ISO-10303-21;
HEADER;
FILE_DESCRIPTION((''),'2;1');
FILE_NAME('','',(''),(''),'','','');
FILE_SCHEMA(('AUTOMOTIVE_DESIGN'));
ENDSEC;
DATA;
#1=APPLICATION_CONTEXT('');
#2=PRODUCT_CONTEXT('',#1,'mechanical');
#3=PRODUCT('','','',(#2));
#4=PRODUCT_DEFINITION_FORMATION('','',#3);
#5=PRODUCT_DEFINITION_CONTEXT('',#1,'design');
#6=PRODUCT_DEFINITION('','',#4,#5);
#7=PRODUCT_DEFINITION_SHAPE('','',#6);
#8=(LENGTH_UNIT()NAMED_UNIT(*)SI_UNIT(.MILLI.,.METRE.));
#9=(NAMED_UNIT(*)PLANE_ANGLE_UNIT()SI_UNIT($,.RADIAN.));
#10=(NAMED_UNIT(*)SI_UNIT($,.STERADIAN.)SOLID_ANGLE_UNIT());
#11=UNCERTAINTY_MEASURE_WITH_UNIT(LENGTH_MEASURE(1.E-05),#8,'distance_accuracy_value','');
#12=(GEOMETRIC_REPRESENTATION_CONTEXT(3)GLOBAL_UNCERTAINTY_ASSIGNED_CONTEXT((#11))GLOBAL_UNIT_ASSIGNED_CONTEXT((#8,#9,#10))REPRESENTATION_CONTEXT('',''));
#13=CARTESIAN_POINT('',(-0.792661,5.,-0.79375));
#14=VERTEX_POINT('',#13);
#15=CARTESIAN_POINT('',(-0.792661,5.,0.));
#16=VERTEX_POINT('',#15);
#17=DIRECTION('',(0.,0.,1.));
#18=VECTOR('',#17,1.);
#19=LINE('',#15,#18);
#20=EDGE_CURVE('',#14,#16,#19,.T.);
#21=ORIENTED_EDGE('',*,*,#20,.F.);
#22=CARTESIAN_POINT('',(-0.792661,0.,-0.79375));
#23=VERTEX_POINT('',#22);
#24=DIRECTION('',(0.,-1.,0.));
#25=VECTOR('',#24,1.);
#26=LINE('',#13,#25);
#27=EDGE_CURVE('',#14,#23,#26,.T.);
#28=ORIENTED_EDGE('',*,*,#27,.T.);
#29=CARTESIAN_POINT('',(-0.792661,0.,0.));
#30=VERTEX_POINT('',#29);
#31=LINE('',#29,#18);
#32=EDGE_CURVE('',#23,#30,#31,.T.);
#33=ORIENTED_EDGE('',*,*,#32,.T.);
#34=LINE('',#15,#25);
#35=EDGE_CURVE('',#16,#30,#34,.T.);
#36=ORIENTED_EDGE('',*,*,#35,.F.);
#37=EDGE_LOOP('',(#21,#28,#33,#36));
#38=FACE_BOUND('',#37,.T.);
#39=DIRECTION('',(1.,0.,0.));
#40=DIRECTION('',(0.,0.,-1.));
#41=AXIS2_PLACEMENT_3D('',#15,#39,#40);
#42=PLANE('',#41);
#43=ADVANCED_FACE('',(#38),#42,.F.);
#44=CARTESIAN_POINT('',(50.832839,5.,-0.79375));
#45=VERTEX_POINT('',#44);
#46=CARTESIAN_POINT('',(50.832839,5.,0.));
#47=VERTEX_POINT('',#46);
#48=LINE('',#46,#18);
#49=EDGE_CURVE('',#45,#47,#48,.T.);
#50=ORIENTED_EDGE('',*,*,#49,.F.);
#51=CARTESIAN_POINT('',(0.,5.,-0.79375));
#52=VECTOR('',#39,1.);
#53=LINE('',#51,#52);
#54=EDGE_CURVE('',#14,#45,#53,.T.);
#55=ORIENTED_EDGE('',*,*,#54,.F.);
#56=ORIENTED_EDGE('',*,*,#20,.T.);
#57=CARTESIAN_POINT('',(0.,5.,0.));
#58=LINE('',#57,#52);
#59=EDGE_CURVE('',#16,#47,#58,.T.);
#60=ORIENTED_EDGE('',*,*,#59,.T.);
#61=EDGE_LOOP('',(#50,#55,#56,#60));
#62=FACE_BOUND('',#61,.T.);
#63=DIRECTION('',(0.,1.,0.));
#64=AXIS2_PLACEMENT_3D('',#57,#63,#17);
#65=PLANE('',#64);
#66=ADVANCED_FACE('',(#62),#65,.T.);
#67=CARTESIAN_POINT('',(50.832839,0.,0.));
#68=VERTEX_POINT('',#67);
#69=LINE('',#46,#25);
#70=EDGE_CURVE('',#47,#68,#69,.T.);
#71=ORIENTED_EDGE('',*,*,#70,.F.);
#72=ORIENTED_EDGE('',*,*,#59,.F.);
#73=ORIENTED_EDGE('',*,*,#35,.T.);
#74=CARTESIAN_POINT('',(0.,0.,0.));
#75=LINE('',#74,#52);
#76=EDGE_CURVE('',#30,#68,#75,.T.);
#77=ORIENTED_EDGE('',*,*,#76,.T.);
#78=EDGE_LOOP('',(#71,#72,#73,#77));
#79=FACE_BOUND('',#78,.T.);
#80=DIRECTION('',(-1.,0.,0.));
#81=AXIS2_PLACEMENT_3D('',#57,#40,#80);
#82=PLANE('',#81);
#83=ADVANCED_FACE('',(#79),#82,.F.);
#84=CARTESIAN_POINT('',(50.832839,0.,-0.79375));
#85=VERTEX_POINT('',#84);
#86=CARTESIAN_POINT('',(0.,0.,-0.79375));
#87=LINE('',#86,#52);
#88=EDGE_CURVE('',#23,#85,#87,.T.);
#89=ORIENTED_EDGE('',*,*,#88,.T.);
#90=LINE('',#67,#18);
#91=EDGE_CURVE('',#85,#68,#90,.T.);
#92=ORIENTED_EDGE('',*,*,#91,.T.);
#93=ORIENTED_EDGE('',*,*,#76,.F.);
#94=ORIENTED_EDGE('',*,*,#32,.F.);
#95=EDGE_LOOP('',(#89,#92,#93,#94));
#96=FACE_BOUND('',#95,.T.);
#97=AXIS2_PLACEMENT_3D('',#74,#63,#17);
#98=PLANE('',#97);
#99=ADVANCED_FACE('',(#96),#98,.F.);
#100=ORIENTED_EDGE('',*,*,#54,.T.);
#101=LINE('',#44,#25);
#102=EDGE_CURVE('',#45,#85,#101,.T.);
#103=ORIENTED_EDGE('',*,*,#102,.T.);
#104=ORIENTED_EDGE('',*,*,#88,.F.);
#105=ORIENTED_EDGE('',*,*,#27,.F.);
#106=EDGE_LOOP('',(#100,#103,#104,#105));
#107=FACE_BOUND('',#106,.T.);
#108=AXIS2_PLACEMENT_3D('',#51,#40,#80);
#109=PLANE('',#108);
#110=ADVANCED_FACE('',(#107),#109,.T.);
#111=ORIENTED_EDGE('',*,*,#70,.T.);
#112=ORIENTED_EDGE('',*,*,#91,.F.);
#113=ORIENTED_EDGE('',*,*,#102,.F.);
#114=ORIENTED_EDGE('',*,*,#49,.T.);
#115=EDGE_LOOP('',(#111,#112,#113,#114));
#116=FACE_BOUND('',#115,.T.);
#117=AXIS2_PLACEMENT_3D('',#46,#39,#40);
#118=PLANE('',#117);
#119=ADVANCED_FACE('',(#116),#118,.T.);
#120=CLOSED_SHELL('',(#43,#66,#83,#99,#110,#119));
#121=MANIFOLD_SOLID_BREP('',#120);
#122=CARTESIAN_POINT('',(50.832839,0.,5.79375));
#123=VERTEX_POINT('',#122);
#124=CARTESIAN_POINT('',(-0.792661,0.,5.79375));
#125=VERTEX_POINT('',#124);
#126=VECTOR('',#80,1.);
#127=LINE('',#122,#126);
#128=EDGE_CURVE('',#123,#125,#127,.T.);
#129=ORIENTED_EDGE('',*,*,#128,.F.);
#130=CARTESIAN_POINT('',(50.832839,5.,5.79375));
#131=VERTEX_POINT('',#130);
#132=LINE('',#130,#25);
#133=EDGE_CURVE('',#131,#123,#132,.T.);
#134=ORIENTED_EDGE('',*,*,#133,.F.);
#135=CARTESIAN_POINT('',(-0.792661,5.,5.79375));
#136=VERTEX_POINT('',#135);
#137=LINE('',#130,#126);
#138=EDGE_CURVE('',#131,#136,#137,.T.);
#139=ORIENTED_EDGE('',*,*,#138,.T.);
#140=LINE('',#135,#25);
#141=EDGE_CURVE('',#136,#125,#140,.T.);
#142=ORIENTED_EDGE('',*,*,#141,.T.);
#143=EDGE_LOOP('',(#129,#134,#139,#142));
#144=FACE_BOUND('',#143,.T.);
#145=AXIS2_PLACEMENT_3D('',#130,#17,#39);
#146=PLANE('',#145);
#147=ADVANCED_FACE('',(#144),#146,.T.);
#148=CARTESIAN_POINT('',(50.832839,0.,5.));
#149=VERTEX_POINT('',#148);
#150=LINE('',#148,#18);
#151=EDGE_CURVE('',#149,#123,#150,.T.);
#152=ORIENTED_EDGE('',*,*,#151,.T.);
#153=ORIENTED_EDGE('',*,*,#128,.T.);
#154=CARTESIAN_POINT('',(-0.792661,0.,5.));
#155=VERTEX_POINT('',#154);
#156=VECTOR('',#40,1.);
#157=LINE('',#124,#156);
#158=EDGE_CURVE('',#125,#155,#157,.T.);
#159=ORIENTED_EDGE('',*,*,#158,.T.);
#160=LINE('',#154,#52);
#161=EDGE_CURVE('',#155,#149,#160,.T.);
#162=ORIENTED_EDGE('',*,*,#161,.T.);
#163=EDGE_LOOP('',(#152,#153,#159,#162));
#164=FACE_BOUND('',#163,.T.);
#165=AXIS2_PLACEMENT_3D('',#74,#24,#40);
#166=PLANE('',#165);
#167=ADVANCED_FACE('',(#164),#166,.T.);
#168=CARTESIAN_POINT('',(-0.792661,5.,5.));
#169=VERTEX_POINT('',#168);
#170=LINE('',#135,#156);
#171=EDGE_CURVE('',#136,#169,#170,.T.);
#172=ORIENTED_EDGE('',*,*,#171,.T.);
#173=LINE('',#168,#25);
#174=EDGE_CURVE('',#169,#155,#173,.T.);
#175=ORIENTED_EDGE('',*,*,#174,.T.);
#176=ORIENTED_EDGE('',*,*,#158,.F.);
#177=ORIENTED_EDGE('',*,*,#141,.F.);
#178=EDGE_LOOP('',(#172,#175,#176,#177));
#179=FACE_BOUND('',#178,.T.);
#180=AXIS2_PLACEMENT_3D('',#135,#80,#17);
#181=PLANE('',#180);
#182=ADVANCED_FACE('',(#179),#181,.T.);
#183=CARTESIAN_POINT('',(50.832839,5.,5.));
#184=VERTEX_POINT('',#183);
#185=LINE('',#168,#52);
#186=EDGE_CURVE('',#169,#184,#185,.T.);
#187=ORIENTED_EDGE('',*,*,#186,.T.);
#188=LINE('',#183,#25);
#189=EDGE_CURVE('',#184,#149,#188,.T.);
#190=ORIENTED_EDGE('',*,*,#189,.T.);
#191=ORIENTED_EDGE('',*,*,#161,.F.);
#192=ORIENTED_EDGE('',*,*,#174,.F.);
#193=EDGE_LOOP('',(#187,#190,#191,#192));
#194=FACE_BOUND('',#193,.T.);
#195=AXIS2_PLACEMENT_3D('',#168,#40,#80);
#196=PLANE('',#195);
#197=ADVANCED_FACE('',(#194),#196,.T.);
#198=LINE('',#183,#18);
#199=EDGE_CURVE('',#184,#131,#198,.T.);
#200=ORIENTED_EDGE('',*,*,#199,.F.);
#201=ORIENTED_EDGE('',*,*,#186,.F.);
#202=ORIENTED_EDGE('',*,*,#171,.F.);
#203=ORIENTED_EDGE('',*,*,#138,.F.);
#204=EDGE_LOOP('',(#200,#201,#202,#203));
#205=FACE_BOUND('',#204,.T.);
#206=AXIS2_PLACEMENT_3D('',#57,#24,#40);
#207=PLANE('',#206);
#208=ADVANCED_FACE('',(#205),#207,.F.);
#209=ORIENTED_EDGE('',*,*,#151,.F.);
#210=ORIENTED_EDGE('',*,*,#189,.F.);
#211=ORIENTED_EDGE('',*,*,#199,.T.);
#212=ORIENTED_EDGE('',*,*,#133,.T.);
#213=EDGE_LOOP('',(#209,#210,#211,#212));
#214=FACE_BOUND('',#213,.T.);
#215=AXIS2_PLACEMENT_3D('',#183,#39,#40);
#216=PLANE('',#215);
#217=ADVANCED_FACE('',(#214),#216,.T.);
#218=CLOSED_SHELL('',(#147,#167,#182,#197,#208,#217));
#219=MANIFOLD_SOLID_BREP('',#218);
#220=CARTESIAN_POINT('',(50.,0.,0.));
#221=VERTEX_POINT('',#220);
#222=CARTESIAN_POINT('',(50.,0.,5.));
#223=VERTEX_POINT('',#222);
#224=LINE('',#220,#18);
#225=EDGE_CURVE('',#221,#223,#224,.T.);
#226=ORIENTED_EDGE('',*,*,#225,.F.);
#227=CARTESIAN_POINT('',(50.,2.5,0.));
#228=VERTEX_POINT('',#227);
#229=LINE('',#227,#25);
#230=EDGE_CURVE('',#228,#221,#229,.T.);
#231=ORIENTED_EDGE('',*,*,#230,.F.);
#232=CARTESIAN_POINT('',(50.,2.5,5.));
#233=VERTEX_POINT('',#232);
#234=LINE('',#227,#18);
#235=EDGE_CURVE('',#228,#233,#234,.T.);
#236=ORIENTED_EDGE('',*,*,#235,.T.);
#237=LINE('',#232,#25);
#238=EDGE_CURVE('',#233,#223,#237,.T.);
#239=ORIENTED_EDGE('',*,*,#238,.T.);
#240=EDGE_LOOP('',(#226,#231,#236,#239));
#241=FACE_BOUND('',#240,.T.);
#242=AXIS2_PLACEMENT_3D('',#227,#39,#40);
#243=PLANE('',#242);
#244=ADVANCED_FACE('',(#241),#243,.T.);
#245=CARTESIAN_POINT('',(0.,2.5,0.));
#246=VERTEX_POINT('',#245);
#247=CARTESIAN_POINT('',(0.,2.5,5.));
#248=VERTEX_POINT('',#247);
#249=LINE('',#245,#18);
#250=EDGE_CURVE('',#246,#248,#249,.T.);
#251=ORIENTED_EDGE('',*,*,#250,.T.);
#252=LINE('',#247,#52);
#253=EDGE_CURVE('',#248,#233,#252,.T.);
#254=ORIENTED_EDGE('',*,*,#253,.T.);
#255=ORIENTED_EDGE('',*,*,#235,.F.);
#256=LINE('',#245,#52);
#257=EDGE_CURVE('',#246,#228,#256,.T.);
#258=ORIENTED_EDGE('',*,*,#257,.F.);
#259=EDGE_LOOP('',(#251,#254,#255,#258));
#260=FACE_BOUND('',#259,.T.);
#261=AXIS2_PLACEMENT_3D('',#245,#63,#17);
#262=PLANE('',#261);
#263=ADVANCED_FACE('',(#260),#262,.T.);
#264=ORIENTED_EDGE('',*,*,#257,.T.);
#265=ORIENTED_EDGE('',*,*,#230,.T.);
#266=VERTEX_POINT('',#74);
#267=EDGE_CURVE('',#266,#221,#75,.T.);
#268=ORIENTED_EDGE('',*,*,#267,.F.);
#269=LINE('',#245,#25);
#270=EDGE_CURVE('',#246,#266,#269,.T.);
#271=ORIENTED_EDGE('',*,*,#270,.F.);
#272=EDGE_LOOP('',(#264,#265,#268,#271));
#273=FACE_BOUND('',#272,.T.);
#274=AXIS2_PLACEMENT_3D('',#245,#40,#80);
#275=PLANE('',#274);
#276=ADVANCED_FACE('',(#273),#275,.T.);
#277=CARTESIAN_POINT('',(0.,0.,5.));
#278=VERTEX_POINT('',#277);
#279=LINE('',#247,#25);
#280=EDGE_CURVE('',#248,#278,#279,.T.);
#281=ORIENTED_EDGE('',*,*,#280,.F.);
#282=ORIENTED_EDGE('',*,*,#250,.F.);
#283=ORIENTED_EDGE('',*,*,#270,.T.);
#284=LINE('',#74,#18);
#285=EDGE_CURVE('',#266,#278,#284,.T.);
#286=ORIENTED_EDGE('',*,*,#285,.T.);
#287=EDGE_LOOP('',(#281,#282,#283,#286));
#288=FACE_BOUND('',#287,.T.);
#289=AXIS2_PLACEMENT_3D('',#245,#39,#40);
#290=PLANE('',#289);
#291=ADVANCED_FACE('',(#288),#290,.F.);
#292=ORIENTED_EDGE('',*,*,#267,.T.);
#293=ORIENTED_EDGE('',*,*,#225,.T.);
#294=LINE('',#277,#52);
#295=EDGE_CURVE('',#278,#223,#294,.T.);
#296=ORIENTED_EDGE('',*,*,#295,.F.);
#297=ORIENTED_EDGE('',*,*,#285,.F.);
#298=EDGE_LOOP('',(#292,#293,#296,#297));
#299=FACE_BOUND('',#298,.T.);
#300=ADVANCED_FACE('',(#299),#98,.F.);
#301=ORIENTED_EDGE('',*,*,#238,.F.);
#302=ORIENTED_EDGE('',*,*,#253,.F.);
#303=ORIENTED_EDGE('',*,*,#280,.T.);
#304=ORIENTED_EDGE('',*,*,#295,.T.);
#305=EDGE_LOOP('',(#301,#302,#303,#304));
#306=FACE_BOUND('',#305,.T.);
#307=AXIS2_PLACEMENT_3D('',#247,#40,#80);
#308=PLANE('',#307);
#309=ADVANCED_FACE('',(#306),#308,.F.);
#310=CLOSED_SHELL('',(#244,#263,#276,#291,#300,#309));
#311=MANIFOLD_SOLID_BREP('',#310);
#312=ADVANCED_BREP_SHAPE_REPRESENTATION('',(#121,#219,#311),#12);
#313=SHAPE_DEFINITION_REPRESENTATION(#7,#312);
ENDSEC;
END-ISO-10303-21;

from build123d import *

# Parameters (mm, degrees)
SKETCH1_W             = 50
SKETCH1_H             = 4.999999906
BOSS_EXTRUDE1_DEPTH   = 2.5
SKETCH1_3_W           = 51.6255
SKETCH1_3_H           = 0.79375
BOSS_EXTRUDE2_DEPTH   = 5
BOSS_EXTRUDE2_2_DEPTH = 5


with BuildPart() as part:
    # Sketch1 → Boss-Extrude1 (new body)
    with BuildSketch(Plane(origin=(0, 0, 0), x_dir=(1, 0, 0), z_dir=(0, 1, 0))):
        with Locations((25, -2.499999953)):
            Rectangle(SKETCH1_W, SKETCH1_H)
    extrude(amount=BOSS_EXTRUDE1_DEPTH)


with BuildPart() as body_2:
    # Sketch1<3> → Boss-Extrude2 (new body)
    with BuildSketch(Plane(origin=(0, 0, 0), x_dir=(1, 0, 0), z_dir=(0, 1, 0))):
        with Locations((25.020089004, -5.396874906)):
            Rectangle(SKETCH1_3_W, SKETCH1_3_H)
    extrude(amount=BOSS_EXTRUDE2_DEPTH)


with BuildPart() as body_3:
    # Sketch1<3> → Boss-Extrude2 2 (new body)
    with BuildSketch(Plane(origin=(0, 0, 0), x_dir=(1, 0, 0), z_dir=(0, 1, 0))):
        with Locations((25.020089004, 0.396875)):
            Rectangle(SKETCH1_3_W, SKETCH1_3_H)
    extrude(amount=BOSS_EXTRUDE2_2_DEPTH)


solid = Compound([part.part, body_2.part, body_3.part])
